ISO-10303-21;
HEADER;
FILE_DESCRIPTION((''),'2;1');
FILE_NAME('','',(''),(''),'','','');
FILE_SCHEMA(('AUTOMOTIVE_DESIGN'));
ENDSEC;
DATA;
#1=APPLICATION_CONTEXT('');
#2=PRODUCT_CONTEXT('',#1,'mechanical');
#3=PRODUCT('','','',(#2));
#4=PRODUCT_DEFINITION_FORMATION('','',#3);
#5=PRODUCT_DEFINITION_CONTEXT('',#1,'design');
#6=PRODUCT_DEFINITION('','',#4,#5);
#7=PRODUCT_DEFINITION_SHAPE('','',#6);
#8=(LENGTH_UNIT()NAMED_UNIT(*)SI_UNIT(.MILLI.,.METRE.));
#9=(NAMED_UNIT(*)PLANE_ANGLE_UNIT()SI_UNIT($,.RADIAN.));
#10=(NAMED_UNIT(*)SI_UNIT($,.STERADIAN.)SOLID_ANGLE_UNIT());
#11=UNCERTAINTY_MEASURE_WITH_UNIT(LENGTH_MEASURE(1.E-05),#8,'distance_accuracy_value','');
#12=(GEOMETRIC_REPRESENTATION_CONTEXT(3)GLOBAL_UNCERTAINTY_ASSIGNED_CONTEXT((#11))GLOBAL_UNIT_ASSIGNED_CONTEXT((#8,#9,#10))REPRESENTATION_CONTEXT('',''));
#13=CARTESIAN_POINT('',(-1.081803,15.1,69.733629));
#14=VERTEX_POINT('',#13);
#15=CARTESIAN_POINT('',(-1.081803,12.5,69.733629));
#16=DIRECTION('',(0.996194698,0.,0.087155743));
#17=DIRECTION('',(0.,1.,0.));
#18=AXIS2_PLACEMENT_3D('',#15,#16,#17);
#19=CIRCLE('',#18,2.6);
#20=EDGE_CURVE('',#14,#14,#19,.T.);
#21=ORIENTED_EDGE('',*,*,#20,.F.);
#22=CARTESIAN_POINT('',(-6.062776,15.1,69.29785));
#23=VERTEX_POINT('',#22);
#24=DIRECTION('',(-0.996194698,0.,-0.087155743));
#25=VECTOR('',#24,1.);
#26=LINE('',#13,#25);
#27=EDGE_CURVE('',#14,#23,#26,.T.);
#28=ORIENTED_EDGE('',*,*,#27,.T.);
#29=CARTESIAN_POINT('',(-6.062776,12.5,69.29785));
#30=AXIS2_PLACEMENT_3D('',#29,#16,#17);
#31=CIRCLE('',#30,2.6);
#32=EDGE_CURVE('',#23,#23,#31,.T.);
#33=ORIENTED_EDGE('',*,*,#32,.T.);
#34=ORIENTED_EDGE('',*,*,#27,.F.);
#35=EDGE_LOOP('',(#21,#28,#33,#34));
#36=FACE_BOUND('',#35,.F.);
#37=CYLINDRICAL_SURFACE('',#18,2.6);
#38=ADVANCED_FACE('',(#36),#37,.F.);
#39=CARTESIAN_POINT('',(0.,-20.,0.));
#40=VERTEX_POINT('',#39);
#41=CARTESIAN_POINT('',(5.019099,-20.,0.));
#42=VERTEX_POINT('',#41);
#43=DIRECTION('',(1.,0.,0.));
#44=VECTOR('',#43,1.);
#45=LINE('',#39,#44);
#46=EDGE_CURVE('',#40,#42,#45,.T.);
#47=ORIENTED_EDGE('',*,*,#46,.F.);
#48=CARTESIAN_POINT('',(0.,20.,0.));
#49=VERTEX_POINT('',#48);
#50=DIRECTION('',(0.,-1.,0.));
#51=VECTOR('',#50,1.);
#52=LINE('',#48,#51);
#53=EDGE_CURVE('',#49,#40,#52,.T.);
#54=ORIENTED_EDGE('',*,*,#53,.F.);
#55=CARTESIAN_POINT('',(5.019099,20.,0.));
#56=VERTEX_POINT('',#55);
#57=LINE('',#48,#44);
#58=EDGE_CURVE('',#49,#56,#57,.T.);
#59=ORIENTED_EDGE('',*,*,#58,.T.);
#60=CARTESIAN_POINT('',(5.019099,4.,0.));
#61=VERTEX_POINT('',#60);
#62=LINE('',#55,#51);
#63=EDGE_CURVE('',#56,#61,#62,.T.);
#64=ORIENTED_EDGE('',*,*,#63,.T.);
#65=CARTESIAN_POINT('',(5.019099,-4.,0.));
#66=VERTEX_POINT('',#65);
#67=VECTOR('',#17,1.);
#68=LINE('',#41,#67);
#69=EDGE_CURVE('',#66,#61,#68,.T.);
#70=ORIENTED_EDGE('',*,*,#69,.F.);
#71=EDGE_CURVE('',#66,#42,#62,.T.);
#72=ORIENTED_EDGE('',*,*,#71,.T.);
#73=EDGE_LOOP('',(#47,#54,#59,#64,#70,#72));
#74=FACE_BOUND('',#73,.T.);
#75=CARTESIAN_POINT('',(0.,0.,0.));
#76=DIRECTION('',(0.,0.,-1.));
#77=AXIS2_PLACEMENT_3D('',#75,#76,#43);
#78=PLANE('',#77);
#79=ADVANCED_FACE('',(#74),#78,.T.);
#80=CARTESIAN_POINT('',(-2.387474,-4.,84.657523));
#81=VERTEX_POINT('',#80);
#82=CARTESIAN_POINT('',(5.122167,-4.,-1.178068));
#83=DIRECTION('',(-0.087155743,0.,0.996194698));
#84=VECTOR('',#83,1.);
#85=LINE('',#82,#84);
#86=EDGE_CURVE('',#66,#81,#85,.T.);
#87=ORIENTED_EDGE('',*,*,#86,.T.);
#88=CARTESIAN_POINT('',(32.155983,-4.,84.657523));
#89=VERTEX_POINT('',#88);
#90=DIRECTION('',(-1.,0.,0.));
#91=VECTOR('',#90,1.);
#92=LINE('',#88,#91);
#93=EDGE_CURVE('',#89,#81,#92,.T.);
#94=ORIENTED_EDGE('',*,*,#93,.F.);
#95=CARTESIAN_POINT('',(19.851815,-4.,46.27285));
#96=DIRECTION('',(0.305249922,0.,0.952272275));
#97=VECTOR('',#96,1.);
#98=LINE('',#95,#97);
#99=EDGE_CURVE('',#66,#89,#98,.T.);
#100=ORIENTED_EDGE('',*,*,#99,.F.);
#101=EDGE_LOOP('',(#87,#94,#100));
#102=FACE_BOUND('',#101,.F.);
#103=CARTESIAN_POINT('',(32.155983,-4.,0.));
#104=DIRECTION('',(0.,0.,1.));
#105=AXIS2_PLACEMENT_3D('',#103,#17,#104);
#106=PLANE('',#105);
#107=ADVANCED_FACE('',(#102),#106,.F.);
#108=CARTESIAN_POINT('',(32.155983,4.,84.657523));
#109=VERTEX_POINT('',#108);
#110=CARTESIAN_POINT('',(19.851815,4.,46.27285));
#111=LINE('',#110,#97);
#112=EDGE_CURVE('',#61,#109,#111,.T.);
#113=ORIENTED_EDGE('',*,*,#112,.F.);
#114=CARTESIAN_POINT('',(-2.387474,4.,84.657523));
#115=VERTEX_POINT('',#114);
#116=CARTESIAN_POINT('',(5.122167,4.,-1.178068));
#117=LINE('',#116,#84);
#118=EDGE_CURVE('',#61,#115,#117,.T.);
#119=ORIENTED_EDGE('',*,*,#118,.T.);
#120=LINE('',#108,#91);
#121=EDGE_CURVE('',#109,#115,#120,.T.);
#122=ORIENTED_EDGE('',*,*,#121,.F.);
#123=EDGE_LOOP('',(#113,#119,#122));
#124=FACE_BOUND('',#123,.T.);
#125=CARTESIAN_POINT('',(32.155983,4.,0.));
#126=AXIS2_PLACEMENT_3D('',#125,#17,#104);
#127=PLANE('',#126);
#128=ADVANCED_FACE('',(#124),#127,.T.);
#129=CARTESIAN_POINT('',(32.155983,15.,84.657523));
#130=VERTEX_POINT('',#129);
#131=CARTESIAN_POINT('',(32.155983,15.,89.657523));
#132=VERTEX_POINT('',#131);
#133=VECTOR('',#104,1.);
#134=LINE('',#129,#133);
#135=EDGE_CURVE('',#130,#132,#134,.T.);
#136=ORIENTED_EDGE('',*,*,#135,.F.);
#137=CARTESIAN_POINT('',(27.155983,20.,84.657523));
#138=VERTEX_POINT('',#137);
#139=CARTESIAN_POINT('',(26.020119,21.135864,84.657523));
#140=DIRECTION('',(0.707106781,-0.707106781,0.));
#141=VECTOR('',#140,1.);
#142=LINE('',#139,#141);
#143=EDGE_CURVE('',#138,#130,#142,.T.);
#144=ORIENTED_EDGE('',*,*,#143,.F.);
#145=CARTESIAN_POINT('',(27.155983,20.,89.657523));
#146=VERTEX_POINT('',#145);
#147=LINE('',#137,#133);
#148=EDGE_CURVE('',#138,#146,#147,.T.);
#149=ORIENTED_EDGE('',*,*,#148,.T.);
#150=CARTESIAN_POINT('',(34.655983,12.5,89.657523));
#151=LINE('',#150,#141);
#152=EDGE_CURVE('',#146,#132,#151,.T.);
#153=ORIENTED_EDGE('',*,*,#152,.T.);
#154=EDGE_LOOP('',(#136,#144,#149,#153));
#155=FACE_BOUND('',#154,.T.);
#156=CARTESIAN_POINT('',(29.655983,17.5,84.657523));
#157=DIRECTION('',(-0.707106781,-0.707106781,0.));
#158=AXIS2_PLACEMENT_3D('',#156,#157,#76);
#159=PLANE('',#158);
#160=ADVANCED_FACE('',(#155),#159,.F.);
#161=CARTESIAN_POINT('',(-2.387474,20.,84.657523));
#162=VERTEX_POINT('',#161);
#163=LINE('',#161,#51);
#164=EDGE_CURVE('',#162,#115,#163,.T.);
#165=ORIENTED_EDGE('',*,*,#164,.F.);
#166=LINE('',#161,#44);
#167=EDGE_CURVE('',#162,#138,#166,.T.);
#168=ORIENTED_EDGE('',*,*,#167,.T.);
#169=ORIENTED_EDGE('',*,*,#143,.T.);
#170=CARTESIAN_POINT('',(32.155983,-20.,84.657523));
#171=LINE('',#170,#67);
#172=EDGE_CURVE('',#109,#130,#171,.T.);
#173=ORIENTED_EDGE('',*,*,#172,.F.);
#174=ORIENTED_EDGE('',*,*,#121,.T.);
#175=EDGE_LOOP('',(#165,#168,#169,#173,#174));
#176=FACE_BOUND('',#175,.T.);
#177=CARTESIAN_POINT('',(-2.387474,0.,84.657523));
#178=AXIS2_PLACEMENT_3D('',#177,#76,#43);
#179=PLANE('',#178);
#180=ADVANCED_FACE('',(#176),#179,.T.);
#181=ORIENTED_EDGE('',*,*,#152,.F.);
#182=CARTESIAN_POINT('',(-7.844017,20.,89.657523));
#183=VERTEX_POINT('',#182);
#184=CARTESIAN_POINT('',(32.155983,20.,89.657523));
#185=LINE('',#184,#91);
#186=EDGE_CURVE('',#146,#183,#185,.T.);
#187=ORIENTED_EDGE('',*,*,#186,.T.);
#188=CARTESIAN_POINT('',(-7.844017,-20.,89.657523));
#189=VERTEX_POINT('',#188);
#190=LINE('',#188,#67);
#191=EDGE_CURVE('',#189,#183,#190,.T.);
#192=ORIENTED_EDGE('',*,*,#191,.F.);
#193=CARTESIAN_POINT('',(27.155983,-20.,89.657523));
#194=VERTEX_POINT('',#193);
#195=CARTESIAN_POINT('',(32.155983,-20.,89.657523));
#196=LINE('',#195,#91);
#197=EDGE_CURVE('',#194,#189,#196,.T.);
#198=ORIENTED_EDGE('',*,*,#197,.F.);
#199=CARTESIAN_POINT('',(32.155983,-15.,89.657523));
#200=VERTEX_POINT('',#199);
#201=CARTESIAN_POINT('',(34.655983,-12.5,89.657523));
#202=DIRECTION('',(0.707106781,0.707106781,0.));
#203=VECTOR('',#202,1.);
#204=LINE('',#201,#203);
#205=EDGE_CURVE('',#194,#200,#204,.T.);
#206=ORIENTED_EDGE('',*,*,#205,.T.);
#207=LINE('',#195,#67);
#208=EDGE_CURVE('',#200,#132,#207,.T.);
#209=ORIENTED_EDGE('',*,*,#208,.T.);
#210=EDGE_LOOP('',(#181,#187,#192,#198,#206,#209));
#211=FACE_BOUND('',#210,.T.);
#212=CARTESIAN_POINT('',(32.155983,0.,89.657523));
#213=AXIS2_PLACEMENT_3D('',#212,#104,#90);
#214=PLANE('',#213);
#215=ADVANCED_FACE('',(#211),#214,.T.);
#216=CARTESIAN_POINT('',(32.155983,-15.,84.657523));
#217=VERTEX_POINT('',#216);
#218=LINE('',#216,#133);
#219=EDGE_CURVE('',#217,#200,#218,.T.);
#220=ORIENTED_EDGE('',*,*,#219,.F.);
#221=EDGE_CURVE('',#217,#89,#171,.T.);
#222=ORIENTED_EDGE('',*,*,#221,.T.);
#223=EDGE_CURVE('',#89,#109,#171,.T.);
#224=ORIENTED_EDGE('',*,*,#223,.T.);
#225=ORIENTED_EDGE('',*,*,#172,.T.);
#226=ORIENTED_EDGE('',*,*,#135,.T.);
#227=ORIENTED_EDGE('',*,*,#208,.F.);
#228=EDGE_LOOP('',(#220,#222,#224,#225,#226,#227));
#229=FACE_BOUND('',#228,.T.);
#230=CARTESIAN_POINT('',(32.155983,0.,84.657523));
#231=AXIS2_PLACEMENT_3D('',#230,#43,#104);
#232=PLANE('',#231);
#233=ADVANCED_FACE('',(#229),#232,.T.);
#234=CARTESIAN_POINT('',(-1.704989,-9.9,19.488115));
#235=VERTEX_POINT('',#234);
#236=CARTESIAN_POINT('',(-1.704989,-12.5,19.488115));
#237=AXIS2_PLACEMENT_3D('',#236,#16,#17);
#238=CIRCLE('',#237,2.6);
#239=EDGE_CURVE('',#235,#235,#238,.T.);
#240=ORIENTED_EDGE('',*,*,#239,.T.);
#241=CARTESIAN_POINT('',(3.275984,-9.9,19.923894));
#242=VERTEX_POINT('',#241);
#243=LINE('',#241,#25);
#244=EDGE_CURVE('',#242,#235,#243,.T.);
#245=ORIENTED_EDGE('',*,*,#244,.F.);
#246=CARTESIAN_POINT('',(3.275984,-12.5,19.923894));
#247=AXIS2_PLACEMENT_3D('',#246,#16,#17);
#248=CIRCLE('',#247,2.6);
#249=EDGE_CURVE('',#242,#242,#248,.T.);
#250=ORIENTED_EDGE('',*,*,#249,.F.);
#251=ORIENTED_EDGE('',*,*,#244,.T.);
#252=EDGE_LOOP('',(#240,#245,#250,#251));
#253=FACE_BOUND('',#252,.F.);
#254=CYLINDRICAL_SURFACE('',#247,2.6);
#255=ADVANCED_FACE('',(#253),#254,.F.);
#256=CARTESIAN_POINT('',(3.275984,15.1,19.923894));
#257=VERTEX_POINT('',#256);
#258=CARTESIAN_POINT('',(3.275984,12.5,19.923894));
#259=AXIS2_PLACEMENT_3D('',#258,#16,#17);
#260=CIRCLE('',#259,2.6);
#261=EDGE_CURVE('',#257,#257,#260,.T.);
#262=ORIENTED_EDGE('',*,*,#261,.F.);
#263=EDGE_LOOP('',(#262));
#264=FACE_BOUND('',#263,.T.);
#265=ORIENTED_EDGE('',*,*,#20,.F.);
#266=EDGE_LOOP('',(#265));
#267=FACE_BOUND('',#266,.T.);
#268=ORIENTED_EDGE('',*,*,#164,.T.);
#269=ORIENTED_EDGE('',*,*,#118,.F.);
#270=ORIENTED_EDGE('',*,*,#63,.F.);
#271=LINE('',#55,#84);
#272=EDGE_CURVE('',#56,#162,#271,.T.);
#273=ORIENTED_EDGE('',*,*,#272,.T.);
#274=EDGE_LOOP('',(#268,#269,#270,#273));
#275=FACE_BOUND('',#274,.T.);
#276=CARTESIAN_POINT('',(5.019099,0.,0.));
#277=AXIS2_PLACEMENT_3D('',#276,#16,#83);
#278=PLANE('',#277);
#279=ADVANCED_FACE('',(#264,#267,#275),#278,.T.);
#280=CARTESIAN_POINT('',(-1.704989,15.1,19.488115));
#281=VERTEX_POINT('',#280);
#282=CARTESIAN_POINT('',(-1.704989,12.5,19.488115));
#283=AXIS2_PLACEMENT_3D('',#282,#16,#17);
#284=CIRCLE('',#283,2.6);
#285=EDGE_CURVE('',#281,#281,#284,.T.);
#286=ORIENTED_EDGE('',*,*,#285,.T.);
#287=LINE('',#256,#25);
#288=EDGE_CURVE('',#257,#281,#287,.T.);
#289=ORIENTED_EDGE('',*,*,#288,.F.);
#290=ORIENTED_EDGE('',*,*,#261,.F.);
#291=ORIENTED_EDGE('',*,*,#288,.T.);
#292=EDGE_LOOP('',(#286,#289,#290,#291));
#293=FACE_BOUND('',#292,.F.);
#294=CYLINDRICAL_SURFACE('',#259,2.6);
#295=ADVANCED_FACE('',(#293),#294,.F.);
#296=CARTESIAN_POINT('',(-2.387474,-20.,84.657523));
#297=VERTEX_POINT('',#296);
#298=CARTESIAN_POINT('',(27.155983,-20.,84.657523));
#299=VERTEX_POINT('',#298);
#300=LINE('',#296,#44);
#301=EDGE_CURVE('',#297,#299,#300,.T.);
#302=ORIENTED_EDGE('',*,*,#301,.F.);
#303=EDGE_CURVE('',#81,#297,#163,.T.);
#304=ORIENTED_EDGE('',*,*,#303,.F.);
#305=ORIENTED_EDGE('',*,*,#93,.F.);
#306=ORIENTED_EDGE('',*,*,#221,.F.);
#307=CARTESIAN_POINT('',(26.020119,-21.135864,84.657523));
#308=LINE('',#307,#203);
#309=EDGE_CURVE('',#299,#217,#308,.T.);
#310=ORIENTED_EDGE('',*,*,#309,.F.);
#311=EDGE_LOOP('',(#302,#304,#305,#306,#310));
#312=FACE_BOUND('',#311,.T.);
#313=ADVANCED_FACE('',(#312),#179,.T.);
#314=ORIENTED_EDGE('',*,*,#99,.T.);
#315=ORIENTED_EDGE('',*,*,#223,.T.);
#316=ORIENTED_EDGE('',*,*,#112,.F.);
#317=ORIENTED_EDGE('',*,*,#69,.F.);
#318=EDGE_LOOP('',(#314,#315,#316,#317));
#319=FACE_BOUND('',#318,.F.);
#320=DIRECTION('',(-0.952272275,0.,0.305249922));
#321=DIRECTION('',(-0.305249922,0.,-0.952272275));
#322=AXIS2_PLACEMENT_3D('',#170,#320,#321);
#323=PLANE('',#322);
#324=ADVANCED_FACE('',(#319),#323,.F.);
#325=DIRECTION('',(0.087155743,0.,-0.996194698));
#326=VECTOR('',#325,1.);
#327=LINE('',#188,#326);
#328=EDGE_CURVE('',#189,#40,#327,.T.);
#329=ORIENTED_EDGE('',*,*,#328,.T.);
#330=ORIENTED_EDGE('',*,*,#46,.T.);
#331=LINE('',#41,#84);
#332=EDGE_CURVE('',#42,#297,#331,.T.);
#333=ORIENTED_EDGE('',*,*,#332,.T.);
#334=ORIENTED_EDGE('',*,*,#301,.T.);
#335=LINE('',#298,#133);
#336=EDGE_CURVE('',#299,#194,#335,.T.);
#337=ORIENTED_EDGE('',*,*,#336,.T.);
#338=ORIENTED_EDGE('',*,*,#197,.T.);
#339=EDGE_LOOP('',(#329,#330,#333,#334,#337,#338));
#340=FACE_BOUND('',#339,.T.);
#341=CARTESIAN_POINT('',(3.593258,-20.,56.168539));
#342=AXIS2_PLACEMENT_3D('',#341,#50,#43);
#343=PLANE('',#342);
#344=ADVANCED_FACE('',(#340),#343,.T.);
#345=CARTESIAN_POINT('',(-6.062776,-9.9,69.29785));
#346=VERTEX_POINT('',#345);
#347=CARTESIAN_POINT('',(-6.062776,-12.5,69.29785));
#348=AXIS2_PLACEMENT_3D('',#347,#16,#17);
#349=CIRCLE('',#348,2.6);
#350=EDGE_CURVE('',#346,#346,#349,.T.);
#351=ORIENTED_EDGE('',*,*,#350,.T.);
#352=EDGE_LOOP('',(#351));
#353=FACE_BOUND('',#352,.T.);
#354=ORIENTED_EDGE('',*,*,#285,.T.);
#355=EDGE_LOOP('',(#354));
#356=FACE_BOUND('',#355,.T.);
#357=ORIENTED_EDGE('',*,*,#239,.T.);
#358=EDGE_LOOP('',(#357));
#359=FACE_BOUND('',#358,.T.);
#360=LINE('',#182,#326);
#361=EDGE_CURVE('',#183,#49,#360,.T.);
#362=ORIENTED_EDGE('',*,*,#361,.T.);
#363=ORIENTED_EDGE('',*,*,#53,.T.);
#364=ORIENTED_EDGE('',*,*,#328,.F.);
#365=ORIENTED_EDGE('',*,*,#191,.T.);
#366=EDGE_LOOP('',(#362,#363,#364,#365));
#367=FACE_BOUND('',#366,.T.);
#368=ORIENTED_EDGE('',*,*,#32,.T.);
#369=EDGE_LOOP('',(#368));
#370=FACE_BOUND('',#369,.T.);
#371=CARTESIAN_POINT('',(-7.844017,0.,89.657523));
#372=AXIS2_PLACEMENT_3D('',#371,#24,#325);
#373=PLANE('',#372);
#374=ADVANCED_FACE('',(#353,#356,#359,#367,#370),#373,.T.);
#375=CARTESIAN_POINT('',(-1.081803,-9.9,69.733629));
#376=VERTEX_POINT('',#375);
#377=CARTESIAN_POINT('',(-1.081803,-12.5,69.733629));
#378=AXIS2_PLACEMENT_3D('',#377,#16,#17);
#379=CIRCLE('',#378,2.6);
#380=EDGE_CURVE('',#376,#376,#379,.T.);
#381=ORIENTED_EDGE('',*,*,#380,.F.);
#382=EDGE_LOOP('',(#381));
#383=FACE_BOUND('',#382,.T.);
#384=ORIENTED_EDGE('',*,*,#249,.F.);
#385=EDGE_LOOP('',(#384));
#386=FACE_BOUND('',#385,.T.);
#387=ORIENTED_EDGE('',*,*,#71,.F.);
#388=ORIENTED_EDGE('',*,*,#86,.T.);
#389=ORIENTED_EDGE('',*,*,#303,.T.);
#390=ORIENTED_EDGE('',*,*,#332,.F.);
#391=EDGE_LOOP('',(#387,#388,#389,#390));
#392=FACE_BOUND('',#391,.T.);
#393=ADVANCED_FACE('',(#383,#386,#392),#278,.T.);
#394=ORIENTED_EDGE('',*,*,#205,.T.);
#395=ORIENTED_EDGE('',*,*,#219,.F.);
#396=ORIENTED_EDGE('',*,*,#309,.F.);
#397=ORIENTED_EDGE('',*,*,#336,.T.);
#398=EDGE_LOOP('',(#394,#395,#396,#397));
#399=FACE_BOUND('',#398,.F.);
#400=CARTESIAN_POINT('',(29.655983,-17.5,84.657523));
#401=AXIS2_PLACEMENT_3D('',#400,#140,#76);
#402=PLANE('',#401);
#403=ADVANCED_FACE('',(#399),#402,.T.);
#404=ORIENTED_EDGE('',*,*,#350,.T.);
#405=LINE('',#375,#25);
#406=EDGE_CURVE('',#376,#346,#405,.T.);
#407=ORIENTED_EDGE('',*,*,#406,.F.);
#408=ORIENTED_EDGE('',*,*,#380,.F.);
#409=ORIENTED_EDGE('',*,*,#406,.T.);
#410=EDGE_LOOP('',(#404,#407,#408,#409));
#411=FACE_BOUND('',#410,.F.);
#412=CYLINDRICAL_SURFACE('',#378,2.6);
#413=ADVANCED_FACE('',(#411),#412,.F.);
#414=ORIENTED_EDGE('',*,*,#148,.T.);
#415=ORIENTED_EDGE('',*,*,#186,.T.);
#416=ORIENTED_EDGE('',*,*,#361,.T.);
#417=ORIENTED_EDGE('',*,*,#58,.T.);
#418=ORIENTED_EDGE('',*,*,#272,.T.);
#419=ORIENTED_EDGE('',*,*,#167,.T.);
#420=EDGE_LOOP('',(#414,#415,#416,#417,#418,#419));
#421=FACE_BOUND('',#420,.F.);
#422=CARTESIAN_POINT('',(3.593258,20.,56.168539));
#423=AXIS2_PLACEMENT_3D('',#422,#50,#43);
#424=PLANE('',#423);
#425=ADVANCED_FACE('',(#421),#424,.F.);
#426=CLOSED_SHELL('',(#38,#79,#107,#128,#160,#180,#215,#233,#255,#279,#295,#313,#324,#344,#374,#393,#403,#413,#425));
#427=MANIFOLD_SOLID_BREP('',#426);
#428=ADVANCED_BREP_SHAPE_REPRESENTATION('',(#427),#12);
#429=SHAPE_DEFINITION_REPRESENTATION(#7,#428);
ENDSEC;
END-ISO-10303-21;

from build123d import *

# Parameters (mm, degrees)
F1_DEPTH = 20
F2_W     = 8
F2_H     = 84.6575228283
F5_DEPTH = 40.001
F6_R     = 2.6
F7_DEPTH = 12.815167995
F8_SIZE  = 5


with BuildPart() as f1:
    # F0 (on Front) → F1 (new body, symmetric)
    with BuildSketch(Plane.XZ):
        Polygon((-7.8440168473, 89.6575228283), (0, 0), (5.0190991877, 0), (-2.3874743419, 84.6575228283), (32.1559831527, 84.6575228283), (32.1559831527, 89.6575228283), align=None)
    extrude(amount=F1_DEPTH, both=True)

    # F2 (on face) → F3 (join, up to the next surface of F1)
    with BuildSketch(Plane.YZ.offset(32.1559831527)):
        with Locations((0, 42.3287614141)):
            Rectangle(F2_W, F2_H)
    extrude(until=Until.NEXT, dir=(-1, 0, 0))

    # F4 (on face) → F5 (cut, through all)
    with BuildSketch(Plane.XZ.offset(20)):
        Polygon((32.1559831527, 84.6575228283), (5.0190991877, 0), (32.1559831527, 0), align=None)
    extrude(amount=-F5_DEPTH, mode=Mode.SUBTRACT)

    # F6 (on face) → F7 (cut, through all)
    with BuildSketch(Plane(origin=(4.9809734905, 0, 0.4357787137), x_dir=(0, 1, 0), z_dir=(0.9961946981, 0, 0.0871557427))):
        with Locations((12.5, 69.5625566824)):
            Circle(F6_R)
        with Locations((12.5, 19.5625566824)):
            Circle(F6_R)
        with Locations((-12.5, 69.5625566824)):
            Circle(F6_R)
        with Locations((-12.5, 19.5625566824)):
            Circle(F6_R)
    extrude(amount=-F7_DEPTH, mode=Mode.SUBTRACT)

    # F8
    f8_edges = [f1.edges().sort_by_distance(p)[0] for p in [
        (32.155983, -20, 87.157523),
        (32.155983, 20, 87.157523),
    ]]
    chamfer(f8_edges, length=F8_SIZE)


solid = f1.part
